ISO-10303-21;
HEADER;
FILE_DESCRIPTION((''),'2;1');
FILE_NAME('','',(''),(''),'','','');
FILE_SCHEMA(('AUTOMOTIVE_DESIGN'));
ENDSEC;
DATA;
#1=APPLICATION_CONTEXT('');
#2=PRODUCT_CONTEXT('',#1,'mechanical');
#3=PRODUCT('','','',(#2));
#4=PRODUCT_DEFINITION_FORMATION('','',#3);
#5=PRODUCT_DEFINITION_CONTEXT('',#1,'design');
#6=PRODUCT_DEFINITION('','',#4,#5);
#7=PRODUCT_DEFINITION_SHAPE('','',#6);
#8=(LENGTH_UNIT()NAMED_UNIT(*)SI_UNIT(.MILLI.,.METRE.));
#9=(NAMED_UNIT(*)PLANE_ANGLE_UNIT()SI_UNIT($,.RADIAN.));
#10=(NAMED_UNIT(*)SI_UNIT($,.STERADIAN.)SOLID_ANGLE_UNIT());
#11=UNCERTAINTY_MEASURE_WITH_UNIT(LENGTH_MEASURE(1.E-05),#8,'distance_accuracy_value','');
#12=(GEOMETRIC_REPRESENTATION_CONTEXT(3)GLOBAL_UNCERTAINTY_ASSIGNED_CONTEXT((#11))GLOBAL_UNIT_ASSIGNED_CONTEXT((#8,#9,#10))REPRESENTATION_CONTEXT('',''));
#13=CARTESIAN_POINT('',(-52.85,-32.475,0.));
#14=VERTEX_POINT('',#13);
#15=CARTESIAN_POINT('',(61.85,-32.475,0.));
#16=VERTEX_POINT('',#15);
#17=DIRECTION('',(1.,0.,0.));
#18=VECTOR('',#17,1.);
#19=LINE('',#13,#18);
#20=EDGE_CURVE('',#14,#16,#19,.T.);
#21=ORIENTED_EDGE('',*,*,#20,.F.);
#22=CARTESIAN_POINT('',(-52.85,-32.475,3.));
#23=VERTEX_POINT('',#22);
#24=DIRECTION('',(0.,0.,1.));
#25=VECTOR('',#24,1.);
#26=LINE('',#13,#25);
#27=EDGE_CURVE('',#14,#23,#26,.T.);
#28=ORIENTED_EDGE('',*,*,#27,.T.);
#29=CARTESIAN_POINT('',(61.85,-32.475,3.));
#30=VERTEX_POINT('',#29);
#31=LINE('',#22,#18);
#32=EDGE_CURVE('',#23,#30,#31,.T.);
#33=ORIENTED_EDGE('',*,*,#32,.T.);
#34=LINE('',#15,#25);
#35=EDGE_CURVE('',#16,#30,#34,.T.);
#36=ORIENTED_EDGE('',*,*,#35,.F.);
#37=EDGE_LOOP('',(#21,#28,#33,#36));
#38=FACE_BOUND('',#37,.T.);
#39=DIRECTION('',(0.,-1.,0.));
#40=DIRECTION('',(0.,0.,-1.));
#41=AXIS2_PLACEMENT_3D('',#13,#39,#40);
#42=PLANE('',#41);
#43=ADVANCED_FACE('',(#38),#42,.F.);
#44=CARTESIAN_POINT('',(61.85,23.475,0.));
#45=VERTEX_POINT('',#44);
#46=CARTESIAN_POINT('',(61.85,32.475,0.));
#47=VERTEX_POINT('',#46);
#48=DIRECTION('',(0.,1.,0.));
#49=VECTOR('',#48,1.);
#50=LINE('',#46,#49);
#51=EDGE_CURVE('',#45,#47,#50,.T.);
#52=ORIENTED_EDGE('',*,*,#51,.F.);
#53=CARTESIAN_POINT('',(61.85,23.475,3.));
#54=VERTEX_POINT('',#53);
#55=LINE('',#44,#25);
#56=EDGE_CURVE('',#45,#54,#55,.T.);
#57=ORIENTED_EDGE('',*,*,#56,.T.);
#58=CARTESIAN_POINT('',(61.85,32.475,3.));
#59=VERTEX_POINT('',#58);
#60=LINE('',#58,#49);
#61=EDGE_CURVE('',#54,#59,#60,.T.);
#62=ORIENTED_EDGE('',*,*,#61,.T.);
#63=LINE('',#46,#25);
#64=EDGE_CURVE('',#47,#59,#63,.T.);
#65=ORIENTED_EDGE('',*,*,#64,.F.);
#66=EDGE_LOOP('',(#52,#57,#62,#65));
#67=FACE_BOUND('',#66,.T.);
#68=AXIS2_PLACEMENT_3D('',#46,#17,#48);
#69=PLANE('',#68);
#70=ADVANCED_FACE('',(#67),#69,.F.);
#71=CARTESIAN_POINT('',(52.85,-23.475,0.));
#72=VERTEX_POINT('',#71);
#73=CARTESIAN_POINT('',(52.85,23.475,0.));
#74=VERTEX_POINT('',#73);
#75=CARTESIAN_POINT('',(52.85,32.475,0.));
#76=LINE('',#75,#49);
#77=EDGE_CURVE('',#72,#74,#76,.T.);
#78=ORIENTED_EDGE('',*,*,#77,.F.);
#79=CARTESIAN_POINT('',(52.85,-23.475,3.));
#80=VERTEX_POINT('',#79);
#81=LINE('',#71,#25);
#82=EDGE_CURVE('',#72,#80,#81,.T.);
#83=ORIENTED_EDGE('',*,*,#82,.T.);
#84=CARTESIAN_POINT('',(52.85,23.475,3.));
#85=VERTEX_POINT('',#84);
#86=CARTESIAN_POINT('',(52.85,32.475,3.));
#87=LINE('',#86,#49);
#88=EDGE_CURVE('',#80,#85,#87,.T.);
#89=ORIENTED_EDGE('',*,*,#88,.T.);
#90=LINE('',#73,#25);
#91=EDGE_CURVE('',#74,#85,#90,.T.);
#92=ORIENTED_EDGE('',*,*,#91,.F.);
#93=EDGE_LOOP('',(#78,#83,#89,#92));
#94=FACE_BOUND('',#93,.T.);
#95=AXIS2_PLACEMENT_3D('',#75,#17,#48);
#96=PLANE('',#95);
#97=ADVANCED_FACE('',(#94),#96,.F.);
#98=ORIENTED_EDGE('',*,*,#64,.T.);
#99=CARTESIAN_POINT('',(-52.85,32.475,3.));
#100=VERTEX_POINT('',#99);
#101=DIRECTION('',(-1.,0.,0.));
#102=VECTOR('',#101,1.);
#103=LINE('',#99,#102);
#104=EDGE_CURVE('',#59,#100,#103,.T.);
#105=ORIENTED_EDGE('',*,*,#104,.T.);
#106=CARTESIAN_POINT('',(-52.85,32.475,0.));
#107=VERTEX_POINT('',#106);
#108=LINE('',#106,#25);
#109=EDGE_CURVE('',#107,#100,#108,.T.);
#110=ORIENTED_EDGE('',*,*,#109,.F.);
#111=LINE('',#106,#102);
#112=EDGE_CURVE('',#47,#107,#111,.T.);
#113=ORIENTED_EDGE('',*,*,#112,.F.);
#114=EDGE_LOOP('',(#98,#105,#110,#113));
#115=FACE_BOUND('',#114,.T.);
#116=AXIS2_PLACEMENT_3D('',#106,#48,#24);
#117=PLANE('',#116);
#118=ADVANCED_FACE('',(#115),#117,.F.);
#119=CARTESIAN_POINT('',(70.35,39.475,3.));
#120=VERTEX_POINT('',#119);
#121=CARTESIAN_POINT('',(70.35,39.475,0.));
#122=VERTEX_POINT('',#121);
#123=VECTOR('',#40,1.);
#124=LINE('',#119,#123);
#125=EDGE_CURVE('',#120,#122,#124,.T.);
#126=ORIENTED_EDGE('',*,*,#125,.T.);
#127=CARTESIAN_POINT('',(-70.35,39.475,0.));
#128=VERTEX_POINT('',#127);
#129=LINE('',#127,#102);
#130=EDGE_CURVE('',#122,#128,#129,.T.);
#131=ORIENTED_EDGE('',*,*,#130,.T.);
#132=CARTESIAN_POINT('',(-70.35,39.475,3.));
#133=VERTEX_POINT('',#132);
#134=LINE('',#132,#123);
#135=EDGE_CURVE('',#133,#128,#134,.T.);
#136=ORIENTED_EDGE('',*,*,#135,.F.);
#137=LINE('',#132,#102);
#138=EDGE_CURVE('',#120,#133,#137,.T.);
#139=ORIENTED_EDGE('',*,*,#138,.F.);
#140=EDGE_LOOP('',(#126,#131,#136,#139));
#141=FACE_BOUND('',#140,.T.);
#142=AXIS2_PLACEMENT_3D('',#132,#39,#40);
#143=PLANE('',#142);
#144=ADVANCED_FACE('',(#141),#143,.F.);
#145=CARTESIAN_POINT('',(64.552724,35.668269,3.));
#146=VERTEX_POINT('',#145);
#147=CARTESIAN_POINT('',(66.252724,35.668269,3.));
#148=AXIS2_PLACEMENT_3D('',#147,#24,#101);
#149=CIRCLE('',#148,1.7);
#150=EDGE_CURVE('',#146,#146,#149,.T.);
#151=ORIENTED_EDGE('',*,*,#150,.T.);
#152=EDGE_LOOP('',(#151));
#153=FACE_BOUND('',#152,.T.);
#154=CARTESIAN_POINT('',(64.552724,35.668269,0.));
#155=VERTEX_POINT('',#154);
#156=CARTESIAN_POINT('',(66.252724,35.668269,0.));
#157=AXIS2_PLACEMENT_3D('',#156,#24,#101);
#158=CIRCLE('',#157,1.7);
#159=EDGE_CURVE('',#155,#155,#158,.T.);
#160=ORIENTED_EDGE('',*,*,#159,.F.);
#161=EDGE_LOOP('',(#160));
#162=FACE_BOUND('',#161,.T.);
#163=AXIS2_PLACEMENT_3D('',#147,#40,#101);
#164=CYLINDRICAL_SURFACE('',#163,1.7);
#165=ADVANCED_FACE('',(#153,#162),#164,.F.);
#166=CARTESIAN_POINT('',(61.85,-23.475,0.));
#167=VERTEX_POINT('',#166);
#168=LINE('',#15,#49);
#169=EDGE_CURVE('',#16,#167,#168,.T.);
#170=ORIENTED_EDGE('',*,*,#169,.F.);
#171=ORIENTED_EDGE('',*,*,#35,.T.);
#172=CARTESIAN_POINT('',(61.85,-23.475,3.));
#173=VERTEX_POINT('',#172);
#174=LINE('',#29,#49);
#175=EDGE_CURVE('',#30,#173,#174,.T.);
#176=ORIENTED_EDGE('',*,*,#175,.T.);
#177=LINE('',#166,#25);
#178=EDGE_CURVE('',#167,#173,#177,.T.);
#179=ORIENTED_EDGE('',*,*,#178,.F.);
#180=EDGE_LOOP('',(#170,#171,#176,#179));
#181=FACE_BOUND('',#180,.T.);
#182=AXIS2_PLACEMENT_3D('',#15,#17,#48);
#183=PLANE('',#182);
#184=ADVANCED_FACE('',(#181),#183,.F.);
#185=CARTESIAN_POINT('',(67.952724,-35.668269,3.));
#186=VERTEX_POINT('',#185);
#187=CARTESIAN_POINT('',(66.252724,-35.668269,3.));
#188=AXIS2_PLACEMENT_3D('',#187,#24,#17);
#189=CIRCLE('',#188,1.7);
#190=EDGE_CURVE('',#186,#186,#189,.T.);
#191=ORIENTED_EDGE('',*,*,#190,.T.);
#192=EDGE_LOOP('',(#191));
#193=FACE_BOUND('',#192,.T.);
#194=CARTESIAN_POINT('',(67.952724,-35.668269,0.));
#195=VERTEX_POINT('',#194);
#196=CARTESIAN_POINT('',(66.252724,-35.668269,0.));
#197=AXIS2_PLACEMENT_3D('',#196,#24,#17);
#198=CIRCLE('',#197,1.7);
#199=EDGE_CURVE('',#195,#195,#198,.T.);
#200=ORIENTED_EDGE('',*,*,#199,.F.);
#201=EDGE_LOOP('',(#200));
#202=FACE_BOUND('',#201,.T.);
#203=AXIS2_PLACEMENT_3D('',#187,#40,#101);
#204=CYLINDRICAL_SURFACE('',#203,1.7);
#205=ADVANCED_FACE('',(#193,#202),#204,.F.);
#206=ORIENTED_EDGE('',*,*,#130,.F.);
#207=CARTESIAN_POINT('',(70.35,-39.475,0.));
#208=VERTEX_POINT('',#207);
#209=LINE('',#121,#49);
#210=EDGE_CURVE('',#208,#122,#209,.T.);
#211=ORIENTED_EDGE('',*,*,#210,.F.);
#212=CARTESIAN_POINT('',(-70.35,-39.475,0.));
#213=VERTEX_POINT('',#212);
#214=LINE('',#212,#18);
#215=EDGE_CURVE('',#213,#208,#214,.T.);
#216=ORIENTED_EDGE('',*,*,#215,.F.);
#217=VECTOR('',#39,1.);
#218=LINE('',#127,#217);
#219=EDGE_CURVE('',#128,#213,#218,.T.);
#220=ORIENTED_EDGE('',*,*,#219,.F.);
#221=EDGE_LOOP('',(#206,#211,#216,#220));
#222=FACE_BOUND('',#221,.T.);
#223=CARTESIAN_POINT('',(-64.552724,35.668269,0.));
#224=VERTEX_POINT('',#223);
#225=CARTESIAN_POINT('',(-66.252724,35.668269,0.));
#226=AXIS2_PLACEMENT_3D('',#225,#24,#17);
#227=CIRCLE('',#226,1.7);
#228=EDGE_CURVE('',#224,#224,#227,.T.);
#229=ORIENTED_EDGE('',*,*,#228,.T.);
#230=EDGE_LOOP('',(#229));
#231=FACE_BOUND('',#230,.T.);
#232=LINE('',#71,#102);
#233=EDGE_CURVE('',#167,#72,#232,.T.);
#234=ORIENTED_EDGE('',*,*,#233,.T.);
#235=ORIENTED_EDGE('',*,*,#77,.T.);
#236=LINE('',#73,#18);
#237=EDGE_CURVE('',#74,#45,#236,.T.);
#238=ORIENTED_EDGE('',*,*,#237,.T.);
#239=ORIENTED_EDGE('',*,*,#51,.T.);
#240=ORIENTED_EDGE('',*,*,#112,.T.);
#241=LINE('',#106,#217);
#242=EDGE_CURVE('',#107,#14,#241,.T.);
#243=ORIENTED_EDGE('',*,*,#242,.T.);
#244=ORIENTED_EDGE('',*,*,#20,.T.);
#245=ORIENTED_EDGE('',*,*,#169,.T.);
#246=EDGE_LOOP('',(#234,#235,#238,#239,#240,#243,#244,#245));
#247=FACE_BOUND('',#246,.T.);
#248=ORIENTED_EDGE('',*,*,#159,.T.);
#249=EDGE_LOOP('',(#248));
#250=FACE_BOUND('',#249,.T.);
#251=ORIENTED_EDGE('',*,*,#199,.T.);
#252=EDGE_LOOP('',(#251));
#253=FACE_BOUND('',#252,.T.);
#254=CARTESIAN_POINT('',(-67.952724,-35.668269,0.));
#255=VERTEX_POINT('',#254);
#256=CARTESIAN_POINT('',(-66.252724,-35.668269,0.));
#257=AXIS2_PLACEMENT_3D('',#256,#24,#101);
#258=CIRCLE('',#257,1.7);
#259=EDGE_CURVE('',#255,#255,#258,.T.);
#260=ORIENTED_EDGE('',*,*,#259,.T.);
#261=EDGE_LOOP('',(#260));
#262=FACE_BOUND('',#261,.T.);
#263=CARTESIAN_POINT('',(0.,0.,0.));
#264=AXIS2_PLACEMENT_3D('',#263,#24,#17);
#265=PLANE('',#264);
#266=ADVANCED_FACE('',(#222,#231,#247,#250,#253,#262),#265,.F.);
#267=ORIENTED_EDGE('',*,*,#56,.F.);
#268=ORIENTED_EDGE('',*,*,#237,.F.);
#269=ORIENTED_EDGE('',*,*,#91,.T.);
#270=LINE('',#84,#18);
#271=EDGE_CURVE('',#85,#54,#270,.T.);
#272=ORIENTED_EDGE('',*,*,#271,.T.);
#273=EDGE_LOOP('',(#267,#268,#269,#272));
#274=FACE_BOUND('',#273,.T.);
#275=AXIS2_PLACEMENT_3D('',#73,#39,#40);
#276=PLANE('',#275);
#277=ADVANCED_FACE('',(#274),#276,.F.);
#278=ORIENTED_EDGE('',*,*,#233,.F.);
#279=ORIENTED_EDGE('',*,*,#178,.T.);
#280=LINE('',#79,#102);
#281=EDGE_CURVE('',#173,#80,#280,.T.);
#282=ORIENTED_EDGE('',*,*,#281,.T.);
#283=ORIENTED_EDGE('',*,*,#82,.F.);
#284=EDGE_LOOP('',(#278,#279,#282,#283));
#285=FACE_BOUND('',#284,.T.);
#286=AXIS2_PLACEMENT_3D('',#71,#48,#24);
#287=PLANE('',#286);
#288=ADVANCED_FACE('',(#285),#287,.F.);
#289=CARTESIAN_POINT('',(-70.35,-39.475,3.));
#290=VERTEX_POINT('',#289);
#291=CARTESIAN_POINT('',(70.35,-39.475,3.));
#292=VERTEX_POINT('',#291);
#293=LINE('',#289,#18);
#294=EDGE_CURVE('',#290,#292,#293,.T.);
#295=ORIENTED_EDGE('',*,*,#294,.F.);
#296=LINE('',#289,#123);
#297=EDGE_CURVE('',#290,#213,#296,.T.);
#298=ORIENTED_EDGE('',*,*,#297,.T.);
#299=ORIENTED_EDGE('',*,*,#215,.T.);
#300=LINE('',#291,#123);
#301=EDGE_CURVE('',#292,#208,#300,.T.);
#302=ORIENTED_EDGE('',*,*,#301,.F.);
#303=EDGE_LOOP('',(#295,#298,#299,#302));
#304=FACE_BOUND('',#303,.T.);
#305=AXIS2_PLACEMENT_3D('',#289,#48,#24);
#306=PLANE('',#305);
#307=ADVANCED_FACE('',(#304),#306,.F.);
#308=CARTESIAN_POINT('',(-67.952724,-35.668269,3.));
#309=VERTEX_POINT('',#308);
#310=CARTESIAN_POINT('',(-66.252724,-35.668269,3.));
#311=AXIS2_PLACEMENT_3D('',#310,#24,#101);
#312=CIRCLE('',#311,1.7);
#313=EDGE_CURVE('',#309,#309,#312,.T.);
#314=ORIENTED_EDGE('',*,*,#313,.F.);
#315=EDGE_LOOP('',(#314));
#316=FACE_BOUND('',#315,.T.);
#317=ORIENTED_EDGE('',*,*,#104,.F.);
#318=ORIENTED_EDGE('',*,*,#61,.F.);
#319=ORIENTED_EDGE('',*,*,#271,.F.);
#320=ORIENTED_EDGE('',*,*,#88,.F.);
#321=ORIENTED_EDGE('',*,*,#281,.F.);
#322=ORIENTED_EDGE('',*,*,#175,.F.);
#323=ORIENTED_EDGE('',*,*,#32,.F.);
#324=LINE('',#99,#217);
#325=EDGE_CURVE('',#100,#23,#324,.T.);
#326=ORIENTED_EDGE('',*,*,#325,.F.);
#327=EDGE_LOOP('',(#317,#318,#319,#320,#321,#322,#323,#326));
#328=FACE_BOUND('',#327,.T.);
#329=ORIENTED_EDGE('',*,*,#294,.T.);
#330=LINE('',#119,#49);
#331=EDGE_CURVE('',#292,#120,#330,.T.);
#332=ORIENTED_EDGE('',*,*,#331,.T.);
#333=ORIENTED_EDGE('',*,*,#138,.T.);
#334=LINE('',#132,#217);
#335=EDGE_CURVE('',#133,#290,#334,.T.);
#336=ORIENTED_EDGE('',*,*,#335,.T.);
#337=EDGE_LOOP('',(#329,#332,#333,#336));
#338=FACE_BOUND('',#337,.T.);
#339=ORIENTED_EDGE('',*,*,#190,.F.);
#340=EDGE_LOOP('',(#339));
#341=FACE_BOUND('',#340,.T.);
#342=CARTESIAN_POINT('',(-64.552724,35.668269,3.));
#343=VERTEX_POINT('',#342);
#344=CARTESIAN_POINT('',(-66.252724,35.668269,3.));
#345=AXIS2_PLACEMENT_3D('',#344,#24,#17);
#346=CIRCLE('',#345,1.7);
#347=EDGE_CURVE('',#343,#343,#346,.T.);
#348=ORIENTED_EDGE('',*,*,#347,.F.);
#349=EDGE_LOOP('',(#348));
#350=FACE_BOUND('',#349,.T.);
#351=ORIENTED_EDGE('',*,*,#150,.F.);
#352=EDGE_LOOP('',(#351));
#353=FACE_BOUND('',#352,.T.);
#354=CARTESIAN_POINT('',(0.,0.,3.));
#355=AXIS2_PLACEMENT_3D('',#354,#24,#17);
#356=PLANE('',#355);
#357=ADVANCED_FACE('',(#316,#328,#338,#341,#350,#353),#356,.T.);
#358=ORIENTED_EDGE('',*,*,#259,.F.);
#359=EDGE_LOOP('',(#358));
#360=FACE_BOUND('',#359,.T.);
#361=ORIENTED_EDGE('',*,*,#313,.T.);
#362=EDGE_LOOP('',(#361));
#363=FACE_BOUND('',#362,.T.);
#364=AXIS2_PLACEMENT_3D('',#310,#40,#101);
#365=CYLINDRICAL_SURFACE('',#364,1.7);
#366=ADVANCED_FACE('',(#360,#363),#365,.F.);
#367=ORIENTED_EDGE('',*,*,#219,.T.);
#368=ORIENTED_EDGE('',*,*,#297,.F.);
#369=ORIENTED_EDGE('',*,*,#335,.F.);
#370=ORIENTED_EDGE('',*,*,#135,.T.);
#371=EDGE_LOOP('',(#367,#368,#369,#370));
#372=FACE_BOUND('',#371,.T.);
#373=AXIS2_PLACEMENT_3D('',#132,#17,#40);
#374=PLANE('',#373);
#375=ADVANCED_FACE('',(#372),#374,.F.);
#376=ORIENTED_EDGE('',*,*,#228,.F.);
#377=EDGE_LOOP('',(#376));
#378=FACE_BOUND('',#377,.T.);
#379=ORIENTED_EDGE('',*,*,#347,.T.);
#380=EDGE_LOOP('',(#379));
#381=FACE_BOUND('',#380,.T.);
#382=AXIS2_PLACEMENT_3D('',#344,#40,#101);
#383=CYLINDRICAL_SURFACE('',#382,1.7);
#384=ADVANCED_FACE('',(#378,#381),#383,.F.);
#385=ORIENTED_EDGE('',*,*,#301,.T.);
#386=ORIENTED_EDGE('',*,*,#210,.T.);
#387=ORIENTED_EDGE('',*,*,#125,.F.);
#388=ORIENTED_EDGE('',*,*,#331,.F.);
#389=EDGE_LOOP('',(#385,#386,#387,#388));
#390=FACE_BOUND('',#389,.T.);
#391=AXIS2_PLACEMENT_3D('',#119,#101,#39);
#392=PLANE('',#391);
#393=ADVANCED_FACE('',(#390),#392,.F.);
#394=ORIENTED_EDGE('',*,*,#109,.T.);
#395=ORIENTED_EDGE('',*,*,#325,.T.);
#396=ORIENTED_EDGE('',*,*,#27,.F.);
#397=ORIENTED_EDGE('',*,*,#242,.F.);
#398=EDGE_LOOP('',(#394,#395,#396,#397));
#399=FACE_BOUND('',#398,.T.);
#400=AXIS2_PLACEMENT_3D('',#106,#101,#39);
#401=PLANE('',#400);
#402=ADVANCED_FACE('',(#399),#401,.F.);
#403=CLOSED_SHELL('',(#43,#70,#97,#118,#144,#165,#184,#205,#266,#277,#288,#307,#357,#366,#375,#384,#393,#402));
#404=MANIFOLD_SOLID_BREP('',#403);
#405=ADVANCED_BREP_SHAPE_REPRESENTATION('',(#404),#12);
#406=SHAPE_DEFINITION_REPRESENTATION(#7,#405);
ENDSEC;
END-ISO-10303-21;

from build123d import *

# Parameters (mm, degrees)
SKETCH_1_W          = 140.7
SKETCH_1_H          = 78.95
SKETCH_1_R          = 1.7
EXTRUDE_1_DEPTH     = 3
SKETCH_2_W          = 105.7
SKETCH_2_H          = 64.95
CUT_EXTRUDE_1_DEPTH = 81.724210278
SKETCH_3_W          = 9
SKETCH_3_H          = 9
CUT_EXTRUDE_2_DEPTH = 81.724210278


with BuildPart() as part:
    # 草图1 → 凸台-拉伸1 (new body)
    with BuildSketch(Plane.XY):
        Rectangle(SKETCH_1_W, SKETCH_1_H)
        with Locations((-66.25272379, 35.66826865)):
            Circle(SKETCH_1_R, mode=Mode.SUBTRACT)
        with Locations(Location((66.25272379, 35.66826865, 0), (0, 0, 180))):
            Circle(SKETCH_1_R, mode=Mode.SUBTRACT)
        with Locations((66.25272379, -35.66826865)):
            Circle(SKETCH_1_R, mode=Mode.SUBTRACT)
        with Locations(Location((-66.25272379, -35.66826865, 0), (0, 0, 180))):
            Circle(SKETCH_1_R, mode=Mode.SUBTRACT)
    extrude(amount=EXTRUDE_1_DEPTH)

    # 草图2 → 切除-拉伸1 (cut, through all)
    with BuildSketch(Plane.XY.offset(3)):
        Rectangle(SKETCH_2_W, SKETCH_2_H)
    extrude(amount=-CUT_EXTRUDE_1_DEPTH, mode=Mode.SUBTRACT)

    # 草图3 → 切除-拉伸2 (cut, through all)
    with BuildSketch(Plane.XY.offset(3)):
        with Locations((57.35, 27.975)):
            Rectangle(SKETCH_3_W, SKETCH_3_H)
        with Locations((57.35, -27.975)):
            Rectangle(SKETCH_3_W, SKETCH_3_H)
    extrude(amount=-CUT_EXTRUDE_2_DEPTH, mode=Mode.SUBTRACT)


solid = part.part
